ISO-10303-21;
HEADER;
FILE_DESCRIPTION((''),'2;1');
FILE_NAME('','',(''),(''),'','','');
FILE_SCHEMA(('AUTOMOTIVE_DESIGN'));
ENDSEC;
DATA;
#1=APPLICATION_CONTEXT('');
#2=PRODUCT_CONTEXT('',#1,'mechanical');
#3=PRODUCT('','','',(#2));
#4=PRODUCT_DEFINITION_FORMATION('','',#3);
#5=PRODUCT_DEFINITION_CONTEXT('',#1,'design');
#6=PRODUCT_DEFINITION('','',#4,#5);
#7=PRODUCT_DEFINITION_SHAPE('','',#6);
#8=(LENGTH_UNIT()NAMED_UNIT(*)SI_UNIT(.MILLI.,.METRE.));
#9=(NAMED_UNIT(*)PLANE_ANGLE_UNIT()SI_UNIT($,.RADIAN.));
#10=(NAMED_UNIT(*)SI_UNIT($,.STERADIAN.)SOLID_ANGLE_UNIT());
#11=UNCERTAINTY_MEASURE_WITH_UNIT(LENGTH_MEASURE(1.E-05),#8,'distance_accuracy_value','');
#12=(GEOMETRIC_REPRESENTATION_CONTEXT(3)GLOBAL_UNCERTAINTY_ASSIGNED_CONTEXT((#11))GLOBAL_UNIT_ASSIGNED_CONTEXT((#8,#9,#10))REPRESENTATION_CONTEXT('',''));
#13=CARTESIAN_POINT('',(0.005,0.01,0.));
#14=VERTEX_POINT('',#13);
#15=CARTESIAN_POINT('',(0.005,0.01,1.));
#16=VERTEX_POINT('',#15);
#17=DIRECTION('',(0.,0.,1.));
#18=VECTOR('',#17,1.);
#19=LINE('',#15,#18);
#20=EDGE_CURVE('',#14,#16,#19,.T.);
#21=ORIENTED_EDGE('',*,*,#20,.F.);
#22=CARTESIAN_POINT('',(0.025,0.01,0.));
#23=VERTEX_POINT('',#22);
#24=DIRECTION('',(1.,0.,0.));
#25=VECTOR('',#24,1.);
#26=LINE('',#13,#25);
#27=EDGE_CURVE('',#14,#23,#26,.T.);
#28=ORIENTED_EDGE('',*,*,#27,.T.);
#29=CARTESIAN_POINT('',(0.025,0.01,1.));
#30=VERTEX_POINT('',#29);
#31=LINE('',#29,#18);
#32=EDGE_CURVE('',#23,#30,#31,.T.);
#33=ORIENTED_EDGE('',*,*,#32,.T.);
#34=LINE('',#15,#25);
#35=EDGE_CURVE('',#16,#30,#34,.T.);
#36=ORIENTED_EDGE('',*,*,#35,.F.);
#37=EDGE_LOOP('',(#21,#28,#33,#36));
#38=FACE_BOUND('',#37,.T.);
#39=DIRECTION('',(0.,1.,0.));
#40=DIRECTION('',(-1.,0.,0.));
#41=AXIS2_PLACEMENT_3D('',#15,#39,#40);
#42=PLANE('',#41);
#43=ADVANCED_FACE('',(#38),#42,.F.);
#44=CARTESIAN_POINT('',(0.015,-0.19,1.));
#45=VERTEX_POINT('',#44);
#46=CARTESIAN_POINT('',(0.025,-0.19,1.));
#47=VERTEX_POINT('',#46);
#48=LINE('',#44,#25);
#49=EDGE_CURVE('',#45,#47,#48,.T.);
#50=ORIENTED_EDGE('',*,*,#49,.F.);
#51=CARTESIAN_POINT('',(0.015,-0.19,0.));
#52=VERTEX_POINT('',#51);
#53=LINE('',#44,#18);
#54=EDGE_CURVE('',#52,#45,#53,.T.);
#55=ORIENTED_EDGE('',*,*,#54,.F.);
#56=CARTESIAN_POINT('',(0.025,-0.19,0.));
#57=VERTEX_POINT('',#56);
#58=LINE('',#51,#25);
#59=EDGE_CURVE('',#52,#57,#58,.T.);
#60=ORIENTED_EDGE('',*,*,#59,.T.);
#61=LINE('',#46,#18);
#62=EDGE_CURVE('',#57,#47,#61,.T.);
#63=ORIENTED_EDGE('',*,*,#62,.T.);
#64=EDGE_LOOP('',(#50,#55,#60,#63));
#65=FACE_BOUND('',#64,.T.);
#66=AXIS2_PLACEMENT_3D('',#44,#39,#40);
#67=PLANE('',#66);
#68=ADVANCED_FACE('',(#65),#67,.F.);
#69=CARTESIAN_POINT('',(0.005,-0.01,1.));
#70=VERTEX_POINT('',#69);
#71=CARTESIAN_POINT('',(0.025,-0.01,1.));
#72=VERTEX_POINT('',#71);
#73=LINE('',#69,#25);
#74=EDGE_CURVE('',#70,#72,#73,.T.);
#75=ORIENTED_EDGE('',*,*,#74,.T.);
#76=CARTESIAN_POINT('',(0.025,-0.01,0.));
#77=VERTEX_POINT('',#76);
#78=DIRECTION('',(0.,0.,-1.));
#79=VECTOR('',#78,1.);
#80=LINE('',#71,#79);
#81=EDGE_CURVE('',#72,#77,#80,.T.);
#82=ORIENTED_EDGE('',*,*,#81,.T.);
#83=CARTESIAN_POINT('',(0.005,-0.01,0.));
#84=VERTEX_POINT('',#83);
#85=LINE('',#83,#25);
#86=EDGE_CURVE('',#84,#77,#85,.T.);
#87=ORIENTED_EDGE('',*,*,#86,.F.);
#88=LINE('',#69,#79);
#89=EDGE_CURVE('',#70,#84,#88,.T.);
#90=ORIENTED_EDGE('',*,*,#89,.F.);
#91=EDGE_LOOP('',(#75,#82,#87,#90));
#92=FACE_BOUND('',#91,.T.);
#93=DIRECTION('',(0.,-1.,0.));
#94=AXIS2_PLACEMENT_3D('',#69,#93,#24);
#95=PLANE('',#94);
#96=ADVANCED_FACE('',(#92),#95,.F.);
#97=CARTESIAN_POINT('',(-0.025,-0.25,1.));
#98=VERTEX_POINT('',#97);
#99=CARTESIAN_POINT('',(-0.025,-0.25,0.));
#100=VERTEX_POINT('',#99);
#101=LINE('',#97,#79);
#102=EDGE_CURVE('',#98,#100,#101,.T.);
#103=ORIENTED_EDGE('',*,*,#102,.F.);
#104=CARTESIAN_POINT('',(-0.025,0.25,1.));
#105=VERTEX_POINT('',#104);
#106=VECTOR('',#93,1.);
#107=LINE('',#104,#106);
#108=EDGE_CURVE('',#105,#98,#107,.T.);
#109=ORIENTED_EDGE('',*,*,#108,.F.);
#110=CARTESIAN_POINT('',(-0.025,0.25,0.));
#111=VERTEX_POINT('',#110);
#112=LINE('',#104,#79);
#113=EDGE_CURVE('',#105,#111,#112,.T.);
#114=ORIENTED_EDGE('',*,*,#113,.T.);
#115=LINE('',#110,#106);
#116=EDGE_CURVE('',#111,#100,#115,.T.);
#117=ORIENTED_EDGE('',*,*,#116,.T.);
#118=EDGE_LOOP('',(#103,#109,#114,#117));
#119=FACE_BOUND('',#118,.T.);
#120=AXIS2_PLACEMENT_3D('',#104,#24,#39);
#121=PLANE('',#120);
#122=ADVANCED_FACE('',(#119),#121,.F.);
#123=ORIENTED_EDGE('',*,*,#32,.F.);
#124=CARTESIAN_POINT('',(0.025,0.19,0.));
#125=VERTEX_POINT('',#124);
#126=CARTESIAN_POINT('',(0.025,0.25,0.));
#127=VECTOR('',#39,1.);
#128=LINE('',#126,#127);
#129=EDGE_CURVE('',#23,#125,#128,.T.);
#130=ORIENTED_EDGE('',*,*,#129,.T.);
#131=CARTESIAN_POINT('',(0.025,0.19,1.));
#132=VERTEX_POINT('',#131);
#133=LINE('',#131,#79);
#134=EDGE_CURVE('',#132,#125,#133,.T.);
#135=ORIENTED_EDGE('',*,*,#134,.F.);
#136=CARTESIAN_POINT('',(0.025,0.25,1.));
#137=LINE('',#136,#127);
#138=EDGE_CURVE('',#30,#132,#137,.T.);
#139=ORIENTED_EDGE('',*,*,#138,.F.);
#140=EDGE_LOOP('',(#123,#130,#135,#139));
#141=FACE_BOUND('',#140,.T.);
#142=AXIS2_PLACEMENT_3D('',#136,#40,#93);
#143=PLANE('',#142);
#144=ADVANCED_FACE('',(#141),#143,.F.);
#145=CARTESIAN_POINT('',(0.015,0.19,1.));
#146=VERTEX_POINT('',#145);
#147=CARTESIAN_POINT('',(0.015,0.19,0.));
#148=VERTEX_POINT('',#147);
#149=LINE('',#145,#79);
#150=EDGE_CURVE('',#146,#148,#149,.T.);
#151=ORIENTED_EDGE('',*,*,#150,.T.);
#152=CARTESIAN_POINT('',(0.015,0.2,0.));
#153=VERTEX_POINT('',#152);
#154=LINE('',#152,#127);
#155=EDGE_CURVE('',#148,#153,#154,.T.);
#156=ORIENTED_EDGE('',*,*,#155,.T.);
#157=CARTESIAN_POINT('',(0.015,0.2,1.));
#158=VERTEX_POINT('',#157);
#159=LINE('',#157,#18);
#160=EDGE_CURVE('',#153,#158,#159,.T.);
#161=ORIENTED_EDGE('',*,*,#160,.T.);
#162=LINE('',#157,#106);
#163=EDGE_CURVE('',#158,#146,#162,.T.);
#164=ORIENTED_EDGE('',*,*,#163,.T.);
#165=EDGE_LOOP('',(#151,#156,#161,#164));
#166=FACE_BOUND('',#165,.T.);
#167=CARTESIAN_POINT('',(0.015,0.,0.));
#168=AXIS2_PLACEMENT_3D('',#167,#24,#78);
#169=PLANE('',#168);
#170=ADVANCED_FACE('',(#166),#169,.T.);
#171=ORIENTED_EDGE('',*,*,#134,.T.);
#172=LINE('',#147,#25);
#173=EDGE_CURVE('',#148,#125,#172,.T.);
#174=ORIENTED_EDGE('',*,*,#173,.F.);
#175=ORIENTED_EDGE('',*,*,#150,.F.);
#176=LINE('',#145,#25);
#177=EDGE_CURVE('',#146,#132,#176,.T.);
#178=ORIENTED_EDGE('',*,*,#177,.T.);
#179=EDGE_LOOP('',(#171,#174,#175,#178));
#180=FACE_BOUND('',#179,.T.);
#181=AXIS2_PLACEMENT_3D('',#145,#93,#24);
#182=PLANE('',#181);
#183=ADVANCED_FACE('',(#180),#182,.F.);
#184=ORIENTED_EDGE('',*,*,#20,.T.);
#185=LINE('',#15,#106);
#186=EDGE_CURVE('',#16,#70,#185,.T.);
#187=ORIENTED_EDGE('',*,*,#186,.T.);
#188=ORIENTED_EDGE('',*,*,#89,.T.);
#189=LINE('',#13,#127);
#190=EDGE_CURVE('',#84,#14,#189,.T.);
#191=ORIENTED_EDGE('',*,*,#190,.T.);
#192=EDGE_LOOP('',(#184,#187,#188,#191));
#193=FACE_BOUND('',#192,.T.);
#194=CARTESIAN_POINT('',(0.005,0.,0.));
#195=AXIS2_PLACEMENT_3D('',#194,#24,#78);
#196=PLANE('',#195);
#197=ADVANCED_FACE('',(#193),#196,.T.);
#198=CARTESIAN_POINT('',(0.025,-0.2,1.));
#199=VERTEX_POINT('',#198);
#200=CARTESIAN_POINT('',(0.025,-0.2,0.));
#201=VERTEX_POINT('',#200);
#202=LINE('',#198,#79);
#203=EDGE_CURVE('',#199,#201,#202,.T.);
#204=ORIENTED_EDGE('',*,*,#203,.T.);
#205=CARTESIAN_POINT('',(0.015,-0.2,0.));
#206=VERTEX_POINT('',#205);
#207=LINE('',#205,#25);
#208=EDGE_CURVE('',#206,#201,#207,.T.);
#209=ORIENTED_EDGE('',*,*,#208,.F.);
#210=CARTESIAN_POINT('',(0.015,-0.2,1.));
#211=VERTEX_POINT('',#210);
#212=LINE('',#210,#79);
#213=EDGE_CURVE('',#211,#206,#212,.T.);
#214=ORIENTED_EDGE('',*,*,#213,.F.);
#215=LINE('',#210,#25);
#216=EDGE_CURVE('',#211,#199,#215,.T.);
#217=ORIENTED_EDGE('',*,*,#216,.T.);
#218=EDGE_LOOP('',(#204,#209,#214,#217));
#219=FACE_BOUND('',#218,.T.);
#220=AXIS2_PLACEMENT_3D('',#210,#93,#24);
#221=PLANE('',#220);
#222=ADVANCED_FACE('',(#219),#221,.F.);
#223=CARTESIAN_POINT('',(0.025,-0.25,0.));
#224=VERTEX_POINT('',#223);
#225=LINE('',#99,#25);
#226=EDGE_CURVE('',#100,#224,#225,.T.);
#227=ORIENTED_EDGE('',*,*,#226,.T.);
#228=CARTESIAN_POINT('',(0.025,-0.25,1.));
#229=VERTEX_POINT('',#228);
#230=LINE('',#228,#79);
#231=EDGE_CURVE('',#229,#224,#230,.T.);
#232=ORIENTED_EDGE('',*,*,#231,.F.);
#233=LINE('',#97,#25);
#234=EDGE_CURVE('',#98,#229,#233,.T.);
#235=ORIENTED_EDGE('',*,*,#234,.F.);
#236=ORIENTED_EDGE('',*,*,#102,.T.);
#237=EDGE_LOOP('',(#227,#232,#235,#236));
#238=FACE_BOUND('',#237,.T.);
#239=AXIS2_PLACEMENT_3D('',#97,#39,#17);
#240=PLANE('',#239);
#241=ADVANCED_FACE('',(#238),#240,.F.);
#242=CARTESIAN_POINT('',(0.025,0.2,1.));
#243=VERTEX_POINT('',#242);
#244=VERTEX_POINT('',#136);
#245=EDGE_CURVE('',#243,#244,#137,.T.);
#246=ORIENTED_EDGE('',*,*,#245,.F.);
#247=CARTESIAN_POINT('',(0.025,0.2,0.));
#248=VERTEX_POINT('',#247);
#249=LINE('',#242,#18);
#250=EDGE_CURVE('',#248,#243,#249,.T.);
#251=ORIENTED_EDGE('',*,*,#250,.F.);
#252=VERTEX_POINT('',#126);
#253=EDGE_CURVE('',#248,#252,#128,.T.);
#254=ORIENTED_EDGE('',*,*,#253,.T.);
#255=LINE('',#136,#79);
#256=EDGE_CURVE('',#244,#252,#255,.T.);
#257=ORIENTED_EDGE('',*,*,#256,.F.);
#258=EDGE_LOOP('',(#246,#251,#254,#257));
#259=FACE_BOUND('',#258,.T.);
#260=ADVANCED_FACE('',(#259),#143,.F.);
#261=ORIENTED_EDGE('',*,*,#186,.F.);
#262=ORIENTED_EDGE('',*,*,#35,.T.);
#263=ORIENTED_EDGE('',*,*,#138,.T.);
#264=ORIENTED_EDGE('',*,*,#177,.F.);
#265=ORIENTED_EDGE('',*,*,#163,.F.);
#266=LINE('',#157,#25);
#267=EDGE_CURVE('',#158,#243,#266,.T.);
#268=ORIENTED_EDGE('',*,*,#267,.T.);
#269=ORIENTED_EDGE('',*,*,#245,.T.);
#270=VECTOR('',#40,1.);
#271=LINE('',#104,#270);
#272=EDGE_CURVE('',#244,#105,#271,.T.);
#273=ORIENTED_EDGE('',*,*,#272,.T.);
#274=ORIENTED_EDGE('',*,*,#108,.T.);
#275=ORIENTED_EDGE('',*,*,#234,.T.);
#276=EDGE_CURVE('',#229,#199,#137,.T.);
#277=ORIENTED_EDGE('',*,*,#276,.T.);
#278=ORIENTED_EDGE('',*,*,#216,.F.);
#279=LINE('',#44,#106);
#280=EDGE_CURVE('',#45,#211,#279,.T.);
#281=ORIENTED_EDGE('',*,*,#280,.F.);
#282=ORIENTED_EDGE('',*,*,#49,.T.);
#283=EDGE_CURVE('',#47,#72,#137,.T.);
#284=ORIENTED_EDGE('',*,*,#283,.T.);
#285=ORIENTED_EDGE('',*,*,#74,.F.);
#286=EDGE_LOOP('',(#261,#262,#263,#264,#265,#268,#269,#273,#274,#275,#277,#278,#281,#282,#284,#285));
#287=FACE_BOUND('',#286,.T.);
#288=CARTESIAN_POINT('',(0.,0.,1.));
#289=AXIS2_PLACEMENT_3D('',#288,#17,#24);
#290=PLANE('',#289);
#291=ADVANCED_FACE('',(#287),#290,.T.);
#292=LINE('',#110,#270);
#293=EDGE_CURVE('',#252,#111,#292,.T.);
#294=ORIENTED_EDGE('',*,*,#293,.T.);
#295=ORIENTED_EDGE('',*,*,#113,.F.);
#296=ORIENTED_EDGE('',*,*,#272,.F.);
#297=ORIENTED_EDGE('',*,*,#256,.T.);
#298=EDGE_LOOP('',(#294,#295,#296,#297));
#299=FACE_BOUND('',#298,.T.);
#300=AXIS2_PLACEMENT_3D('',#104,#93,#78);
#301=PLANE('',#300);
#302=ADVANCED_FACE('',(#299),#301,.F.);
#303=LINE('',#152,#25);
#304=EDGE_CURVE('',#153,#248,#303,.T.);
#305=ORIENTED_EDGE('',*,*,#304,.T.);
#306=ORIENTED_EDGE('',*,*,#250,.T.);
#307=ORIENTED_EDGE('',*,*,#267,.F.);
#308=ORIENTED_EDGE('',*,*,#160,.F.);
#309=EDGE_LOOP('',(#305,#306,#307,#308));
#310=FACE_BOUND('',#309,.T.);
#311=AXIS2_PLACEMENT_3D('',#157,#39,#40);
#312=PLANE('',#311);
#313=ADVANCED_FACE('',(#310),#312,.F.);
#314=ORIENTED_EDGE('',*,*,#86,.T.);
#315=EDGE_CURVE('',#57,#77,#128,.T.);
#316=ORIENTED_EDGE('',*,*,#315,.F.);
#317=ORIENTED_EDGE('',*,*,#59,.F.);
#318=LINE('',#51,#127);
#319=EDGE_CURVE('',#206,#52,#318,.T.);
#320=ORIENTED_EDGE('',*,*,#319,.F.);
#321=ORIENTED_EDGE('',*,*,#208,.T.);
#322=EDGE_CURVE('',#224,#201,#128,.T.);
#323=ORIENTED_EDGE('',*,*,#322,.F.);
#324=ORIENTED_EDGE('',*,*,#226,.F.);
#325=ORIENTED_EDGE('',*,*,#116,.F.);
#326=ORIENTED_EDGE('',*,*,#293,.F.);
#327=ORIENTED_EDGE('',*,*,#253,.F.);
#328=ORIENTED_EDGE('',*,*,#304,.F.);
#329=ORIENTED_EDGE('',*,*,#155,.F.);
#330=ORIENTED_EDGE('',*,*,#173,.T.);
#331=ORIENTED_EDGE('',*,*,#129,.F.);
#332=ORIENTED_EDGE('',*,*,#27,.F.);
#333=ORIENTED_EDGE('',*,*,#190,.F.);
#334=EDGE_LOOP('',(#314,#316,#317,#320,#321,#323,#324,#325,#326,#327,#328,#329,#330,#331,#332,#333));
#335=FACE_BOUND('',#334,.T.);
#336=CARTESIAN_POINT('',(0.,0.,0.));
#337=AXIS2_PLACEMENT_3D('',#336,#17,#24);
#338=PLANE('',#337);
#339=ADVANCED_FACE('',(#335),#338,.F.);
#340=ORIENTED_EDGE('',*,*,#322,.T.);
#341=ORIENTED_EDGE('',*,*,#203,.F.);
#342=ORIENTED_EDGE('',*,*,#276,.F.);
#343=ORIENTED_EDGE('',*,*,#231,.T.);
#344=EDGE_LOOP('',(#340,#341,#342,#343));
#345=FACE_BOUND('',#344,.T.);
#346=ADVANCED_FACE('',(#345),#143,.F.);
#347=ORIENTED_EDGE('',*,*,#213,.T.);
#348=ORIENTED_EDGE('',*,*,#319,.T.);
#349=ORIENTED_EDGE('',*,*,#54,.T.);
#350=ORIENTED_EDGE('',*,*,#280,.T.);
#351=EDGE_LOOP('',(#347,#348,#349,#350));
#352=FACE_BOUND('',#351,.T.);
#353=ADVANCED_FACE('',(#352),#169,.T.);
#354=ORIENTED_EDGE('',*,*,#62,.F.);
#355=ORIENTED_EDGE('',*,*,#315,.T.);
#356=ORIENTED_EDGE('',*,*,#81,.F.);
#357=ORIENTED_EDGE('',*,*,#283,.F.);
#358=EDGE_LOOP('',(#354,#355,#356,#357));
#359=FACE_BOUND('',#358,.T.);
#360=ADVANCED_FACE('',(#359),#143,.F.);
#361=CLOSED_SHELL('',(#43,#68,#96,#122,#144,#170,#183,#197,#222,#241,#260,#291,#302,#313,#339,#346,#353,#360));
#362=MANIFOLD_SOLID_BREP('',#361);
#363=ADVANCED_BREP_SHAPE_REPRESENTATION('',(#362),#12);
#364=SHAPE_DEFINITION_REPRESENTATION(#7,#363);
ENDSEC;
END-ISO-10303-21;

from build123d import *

# Parameters (mm, degrees)
IZIM1_W                     = 0.05
IZIM1_H                     = 0.5
Y_KSEKLIK_EKSTR_ZYON1_DEPTH = 1
IZIM2_W                     = 1
IZIM2_H                     = 0.01
KES_EKSTR_ZYON2_DEPTH       = 0.01
IZIM4_W                     = 1
IZIM4_H                     = 0.02
KES_EKSTR_ZYON3_DEPTH       = 0.02


with BuildPart() as part:
    # Çizim1 → Yükseklik-Ekstrüzyon1 (new body)
    with BuildSketch(Plane.XY):
        Rectangle(IZIM1_W, IZIM1_H)
    extrude(amount=Y_KSEKLIK_EKSTR_ZYON1_DEPTH)

    # Çizim2 → Kes-Ekstrüzyon2 (cut)
    with BuildSketch(Plane(origin=(0.025, 0, 0), x_dir=(0, 0, -1), z_dir=(1, 0, 0))):
        with Locations((-0.5, 0.195)):
            Rectangle(IZIM2_W, IZIM2_H)
        with Locations((-0.5, -0.195)):
            Rectangle(IZIM2_W, IZIM2_H)
    extrude(amount=-KES_EKSTR_ZYON2_DEPTH, mode=Mode.SUBTRACT)

    # Çizim4 → Kes-Ekstrüzyon3 (cut)
    with BuildSketch(Plane(origin=(0.025, 0, 0), x_dir=(0, 0, -1), z_dir=(1, 0, 0))):
        with Locations((-0.5, 0)):
            Rectangle(IZIM4_W, IZIM4_H)
    extrude(amount=-KES_EKSTR_ZYON3_DEPTH, mode=Mode.SUBTRACT)


solid = part.part
